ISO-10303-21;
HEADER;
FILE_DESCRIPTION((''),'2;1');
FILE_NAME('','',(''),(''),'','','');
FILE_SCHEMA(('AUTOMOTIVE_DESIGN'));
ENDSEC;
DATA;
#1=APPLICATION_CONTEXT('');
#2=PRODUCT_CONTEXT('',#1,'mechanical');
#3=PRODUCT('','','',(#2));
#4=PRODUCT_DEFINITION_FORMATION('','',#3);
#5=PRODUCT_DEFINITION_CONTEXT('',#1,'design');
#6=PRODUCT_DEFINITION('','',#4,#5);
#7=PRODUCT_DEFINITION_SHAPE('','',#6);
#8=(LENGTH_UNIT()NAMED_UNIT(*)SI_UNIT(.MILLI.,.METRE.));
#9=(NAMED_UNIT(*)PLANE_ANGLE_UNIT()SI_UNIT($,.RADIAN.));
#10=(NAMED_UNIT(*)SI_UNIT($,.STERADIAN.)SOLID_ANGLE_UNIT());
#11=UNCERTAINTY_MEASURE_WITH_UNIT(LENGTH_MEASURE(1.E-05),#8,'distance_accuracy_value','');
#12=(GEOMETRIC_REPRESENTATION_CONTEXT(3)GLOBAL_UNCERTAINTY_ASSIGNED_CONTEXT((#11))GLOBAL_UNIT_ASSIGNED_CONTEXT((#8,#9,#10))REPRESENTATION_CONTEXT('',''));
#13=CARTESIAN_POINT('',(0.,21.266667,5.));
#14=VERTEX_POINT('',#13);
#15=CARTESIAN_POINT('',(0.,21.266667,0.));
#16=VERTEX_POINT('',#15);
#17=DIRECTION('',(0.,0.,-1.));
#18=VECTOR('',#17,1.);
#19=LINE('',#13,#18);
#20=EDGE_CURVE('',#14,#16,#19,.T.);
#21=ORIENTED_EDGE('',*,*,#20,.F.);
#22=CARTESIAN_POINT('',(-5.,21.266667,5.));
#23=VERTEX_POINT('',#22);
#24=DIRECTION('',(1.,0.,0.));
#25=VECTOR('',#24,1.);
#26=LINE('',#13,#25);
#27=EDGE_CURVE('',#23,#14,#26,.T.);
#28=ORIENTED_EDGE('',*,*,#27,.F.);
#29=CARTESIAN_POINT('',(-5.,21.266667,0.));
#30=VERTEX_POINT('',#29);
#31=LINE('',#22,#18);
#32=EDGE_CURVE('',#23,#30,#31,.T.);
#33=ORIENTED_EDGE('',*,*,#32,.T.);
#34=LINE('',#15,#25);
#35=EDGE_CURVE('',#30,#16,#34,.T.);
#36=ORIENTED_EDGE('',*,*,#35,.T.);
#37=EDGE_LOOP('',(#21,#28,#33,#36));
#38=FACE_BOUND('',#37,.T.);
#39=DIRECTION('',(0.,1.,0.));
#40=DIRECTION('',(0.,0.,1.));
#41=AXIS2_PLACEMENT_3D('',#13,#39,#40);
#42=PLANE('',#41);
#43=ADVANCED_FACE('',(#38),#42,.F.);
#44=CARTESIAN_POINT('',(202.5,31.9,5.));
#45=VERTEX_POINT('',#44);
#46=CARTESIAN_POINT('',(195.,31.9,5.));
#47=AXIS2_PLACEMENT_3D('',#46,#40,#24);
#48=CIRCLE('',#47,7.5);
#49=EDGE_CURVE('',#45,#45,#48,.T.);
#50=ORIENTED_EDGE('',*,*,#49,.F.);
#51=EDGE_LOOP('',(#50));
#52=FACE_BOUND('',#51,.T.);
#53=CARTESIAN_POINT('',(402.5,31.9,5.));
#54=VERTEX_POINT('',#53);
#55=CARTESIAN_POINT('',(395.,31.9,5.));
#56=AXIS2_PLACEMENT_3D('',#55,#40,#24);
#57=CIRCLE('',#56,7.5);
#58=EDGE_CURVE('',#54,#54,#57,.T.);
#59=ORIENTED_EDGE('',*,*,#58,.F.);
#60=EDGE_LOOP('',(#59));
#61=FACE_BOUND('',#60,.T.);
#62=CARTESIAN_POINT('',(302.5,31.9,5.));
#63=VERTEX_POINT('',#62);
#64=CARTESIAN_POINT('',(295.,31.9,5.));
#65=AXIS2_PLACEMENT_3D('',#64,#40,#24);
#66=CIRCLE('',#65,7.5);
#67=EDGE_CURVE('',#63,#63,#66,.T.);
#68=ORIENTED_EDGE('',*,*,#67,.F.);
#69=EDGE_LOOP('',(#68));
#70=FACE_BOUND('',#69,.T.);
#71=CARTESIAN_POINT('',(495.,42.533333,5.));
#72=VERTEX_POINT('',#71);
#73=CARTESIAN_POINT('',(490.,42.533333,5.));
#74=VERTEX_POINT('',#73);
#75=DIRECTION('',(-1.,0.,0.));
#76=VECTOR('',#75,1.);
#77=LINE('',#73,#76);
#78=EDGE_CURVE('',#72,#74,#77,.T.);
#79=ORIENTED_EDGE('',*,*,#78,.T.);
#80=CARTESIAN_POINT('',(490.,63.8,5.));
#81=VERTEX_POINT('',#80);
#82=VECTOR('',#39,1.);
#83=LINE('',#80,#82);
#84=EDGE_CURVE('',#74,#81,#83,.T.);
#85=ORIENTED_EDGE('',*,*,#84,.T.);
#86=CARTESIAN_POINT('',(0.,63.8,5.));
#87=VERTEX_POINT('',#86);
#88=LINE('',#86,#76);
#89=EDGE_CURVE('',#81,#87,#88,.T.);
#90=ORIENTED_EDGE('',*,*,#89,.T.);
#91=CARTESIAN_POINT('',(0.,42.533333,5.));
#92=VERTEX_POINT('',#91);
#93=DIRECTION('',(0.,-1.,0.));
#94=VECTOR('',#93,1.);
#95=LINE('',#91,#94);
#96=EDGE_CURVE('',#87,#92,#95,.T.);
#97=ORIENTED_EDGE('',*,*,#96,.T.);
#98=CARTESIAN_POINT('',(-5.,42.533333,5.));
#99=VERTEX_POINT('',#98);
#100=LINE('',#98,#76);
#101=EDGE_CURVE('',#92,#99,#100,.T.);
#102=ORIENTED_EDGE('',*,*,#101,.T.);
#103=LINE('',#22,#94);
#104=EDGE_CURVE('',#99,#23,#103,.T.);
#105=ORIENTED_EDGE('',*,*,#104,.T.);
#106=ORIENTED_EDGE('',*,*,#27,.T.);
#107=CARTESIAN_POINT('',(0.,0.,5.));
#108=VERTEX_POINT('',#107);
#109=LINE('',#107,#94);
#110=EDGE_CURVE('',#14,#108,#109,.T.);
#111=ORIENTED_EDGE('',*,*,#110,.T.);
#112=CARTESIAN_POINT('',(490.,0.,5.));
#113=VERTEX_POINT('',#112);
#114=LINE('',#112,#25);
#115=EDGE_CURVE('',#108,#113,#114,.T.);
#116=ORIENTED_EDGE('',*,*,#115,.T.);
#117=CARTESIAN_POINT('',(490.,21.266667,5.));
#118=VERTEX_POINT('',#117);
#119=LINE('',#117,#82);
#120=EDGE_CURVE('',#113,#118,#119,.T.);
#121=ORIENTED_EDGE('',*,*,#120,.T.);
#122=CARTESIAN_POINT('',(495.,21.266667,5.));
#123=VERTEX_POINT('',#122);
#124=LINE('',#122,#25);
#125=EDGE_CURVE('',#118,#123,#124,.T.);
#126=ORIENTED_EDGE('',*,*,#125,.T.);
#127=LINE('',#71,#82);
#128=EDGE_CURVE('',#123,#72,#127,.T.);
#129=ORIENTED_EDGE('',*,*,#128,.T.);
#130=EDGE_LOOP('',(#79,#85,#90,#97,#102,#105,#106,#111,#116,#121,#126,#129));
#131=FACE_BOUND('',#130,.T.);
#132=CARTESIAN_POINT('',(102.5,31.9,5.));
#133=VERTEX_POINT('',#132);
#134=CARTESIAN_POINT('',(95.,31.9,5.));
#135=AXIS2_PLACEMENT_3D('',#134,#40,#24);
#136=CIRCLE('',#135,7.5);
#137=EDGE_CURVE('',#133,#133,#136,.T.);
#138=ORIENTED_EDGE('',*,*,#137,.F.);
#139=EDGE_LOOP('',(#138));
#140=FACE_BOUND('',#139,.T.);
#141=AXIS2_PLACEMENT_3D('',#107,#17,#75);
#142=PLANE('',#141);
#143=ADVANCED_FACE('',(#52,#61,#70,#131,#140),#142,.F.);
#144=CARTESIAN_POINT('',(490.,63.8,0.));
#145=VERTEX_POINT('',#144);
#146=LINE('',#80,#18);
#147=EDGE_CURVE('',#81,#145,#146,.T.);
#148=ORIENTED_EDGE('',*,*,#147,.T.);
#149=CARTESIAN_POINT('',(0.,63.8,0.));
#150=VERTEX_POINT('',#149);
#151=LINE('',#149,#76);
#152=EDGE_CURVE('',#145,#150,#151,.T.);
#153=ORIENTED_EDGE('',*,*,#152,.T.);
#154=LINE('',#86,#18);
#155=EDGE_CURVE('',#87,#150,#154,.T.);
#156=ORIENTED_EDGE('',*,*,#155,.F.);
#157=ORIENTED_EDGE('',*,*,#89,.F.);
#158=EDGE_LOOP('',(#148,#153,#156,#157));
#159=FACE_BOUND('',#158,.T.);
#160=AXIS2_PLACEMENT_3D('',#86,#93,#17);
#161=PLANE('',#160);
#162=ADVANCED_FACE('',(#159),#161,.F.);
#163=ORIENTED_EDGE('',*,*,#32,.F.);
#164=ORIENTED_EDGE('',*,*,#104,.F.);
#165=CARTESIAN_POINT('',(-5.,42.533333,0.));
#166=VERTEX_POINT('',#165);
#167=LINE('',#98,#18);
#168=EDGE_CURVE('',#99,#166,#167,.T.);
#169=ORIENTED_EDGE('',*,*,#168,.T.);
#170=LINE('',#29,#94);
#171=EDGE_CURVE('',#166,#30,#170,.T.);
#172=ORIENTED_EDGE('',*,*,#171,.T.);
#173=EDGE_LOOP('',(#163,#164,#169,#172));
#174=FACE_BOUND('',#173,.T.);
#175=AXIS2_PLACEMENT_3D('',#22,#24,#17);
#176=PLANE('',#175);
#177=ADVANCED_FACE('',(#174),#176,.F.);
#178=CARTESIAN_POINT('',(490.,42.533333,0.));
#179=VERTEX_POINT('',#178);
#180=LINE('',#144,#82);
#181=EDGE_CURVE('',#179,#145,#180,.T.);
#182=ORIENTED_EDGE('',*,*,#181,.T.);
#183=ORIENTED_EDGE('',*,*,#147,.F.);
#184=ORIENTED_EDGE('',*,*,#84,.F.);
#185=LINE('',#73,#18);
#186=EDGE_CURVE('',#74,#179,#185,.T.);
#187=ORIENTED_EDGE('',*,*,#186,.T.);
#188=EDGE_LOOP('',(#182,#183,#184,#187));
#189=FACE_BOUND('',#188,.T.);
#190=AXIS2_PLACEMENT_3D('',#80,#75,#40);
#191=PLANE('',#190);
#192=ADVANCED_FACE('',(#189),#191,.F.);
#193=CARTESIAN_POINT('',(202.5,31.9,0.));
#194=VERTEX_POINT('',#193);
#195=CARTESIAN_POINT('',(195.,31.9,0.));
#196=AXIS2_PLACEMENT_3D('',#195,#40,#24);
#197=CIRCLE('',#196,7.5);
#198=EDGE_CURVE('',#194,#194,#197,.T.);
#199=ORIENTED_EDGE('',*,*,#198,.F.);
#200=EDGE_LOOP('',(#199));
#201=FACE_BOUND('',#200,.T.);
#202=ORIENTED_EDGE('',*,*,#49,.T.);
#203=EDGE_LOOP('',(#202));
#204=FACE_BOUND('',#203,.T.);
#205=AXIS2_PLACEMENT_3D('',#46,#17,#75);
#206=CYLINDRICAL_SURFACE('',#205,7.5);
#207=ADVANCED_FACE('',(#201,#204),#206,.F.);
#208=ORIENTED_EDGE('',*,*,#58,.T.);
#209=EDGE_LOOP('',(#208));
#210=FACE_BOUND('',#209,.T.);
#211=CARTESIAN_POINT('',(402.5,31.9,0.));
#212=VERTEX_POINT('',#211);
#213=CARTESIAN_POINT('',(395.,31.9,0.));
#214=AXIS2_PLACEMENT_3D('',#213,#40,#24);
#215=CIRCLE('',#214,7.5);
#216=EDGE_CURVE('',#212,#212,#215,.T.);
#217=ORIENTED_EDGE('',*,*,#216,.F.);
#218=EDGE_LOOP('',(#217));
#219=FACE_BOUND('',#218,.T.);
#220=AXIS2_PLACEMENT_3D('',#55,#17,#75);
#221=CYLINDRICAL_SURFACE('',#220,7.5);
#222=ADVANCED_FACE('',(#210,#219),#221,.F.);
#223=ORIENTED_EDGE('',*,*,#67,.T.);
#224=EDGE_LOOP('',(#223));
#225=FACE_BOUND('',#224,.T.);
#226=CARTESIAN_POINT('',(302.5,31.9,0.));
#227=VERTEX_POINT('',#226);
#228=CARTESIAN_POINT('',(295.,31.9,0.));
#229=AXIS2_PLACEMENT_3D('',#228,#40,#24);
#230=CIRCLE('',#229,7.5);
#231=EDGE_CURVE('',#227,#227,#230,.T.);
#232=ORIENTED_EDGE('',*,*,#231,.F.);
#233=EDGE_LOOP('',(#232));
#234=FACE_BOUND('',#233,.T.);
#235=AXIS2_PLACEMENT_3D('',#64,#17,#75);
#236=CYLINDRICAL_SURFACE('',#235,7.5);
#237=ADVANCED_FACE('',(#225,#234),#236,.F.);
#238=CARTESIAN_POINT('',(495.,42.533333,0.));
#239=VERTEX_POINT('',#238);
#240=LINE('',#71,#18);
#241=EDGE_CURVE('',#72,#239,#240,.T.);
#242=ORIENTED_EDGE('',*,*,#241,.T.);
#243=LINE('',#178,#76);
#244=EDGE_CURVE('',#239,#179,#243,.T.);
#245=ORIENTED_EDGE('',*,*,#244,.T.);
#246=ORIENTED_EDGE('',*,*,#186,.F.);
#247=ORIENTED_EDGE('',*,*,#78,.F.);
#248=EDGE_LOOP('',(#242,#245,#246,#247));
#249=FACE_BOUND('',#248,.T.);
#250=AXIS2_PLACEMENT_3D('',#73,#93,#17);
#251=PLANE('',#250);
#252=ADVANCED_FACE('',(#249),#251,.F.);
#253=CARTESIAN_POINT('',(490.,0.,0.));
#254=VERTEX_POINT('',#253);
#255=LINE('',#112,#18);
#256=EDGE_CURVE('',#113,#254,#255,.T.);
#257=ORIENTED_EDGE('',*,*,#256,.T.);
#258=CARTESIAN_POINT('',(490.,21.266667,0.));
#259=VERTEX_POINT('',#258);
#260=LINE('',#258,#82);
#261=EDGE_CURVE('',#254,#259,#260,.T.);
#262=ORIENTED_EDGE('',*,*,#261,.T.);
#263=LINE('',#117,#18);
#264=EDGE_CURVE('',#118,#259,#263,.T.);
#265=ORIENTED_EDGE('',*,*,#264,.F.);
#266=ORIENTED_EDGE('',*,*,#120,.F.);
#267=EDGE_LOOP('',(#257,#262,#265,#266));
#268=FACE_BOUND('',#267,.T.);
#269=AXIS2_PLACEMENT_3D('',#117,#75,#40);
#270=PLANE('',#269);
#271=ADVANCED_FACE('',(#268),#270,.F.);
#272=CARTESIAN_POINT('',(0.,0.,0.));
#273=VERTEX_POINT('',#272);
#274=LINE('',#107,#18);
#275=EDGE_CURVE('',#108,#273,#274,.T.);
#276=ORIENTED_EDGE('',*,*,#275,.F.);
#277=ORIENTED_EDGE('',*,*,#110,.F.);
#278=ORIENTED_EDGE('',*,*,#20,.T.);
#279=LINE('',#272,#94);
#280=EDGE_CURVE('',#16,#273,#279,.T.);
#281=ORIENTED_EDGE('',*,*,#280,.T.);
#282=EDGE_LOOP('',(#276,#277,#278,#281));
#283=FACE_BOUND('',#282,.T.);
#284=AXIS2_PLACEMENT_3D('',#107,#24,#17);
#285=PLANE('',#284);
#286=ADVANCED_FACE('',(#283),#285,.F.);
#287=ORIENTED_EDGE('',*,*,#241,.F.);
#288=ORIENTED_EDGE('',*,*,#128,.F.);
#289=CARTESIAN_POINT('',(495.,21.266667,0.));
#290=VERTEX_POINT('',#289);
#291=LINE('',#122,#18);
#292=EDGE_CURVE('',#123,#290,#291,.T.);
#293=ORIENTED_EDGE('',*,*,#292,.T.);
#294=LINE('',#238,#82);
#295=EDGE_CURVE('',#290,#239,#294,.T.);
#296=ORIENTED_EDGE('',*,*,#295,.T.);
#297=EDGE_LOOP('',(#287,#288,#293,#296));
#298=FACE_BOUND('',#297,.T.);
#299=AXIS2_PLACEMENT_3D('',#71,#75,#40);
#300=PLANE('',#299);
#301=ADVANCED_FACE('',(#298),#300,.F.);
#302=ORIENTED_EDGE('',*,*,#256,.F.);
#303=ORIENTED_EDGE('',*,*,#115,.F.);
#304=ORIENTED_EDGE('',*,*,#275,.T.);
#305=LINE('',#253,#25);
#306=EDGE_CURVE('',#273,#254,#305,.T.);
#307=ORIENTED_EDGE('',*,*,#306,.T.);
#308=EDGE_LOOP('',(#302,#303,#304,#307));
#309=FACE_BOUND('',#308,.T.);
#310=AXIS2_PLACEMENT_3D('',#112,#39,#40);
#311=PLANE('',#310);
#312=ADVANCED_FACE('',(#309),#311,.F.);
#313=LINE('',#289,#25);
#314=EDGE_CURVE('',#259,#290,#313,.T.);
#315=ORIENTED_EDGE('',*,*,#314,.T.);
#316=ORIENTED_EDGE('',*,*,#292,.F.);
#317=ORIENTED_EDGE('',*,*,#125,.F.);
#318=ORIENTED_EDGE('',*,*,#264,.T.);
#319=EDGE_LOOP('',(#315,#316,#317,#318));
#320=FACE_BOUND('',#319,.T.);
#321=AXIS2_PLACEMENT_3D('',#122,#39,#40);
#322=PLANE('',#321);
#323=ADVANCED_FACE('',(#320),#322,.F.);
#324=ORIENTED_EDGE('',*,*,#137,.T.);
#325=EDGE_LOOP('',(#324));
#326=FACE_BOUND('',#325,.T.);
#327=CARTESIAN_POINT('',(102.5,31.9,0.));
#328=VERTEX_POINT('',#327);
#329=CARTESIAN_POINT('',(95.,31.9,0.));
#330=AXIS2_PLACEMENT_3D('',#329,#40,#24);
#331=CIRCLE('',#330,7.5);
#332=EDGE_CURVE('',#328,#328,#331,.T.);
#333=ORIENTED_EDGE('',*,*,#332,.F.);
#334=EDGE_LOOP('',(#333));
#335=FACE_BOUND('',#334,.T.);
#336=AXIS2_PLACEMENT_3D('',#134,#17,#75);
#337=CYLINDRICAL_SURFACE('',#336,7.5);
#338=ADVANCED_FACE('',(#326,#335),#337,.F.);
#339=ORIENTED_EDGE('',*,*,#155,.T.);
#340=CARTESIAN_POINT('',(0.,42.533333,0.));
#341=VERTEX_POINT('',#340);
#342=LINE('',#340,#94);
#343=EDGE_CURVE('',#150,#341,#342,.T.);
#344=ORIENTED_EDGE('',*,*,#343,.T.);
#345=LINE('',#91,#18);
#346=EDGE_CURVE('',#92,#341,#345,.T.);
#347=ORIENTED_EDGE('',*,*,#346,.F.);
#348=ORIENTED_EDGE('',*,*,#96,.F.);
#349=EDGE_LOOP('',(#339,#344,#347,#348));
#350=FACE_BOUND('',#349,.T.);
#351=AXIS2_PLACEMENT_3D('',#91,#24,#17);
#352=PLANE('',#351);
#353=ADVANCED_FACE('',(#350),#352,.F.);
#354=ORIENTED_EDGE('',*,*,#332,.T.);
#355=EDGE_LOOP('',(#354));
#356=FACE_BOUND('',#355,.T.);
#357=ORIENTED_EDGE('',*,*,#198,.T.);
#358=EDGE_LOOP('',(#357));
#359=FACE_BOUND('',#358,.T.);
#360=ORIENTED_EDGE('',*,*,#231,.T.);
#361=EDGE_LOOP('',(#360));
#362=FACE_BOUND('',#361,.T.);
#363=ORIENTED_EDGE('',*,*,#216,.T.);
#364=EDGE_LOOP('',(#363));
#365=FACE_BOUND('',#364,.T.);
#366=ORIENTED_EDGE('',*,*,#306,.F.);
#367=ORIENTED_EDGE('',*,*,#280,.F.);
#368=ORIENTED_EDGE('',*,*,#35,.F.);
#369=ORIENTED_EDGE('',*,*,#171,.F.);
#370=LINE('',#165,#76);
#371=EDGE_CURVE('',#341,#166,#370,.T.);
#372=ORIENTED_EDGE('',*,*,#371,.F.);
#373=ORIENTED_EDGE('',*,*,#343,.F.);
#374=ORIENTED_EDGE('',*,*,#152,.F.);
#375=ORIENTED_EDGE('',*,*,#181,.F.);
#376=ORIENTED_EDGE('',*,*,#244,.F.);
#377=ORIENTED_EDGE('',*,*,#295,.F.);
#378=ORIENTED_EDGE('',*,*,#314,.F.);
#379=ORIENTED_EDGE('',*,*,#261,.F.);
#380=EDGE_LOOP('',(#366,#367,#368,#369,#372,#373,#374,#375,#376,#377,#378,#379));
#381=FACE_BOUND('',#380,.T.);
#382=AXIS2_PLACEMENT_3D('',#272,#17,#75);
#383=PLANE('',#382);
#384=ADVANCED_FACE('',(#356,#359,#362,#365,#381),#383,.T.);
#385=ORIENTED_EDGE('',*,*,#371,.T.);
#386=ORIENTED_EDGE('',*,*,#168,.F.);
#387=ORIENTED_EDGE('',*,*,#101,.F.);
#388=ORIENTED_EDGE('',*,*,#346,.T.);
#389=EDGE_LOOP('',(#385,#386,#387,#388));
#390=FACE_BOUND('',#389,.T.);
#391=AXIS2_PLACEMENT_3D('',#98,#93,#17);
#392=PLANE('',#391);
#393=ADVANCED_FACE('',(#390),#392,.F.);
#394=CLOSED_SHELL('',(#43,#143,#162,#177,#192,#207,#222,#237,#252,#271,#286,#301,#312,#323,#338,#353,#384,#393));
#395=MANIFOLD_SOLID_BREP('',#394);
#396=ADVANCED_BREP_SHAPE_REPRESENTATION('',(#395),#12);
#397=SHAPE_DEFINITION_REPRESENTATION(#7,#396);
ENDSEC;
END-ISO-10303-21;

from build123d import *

# Parameters (mm, degrees)
ESQUISSE1_R        = 7.5
BOSS_EXTRU_1_DEPTH = 5


with BuildPart() as part:
    # Esquisse1 → Boss.-Extru.1 (new body)
    with BuildSketch(Plane.XY):
        Polygon((0, 0), (0, 21.266666667), (-5, 21.266666667), (-5, 42.533333333), (0, 42.533333333), (0, 63.8), (490, 63.8), (490, 42.533333333), (495, 42.533333333), (495, 21.266666667), (490, 21.266666667), (490, 0), align=None)
        with Locations((95, 31.9)):
            Circle(ESQUISSE1_R, mode=Mode.SUBTRACT)
        with Locations((195, 31.9)):
            Circle(ESQUISSE1_R, mode=Mode.SUBTRACT)
        with Locations((295, 31.9)):
            Circle(ESQUISSE1_R, mode=Mode.SUBTRACT)
        with Locations((395, 31.9)):
            Circle(ESQUISSE1_R, mode=Mode.SUBTRACT)
    extrude(amount=BOSS_EXTRU_1_DEPTH)


solid = part.part
